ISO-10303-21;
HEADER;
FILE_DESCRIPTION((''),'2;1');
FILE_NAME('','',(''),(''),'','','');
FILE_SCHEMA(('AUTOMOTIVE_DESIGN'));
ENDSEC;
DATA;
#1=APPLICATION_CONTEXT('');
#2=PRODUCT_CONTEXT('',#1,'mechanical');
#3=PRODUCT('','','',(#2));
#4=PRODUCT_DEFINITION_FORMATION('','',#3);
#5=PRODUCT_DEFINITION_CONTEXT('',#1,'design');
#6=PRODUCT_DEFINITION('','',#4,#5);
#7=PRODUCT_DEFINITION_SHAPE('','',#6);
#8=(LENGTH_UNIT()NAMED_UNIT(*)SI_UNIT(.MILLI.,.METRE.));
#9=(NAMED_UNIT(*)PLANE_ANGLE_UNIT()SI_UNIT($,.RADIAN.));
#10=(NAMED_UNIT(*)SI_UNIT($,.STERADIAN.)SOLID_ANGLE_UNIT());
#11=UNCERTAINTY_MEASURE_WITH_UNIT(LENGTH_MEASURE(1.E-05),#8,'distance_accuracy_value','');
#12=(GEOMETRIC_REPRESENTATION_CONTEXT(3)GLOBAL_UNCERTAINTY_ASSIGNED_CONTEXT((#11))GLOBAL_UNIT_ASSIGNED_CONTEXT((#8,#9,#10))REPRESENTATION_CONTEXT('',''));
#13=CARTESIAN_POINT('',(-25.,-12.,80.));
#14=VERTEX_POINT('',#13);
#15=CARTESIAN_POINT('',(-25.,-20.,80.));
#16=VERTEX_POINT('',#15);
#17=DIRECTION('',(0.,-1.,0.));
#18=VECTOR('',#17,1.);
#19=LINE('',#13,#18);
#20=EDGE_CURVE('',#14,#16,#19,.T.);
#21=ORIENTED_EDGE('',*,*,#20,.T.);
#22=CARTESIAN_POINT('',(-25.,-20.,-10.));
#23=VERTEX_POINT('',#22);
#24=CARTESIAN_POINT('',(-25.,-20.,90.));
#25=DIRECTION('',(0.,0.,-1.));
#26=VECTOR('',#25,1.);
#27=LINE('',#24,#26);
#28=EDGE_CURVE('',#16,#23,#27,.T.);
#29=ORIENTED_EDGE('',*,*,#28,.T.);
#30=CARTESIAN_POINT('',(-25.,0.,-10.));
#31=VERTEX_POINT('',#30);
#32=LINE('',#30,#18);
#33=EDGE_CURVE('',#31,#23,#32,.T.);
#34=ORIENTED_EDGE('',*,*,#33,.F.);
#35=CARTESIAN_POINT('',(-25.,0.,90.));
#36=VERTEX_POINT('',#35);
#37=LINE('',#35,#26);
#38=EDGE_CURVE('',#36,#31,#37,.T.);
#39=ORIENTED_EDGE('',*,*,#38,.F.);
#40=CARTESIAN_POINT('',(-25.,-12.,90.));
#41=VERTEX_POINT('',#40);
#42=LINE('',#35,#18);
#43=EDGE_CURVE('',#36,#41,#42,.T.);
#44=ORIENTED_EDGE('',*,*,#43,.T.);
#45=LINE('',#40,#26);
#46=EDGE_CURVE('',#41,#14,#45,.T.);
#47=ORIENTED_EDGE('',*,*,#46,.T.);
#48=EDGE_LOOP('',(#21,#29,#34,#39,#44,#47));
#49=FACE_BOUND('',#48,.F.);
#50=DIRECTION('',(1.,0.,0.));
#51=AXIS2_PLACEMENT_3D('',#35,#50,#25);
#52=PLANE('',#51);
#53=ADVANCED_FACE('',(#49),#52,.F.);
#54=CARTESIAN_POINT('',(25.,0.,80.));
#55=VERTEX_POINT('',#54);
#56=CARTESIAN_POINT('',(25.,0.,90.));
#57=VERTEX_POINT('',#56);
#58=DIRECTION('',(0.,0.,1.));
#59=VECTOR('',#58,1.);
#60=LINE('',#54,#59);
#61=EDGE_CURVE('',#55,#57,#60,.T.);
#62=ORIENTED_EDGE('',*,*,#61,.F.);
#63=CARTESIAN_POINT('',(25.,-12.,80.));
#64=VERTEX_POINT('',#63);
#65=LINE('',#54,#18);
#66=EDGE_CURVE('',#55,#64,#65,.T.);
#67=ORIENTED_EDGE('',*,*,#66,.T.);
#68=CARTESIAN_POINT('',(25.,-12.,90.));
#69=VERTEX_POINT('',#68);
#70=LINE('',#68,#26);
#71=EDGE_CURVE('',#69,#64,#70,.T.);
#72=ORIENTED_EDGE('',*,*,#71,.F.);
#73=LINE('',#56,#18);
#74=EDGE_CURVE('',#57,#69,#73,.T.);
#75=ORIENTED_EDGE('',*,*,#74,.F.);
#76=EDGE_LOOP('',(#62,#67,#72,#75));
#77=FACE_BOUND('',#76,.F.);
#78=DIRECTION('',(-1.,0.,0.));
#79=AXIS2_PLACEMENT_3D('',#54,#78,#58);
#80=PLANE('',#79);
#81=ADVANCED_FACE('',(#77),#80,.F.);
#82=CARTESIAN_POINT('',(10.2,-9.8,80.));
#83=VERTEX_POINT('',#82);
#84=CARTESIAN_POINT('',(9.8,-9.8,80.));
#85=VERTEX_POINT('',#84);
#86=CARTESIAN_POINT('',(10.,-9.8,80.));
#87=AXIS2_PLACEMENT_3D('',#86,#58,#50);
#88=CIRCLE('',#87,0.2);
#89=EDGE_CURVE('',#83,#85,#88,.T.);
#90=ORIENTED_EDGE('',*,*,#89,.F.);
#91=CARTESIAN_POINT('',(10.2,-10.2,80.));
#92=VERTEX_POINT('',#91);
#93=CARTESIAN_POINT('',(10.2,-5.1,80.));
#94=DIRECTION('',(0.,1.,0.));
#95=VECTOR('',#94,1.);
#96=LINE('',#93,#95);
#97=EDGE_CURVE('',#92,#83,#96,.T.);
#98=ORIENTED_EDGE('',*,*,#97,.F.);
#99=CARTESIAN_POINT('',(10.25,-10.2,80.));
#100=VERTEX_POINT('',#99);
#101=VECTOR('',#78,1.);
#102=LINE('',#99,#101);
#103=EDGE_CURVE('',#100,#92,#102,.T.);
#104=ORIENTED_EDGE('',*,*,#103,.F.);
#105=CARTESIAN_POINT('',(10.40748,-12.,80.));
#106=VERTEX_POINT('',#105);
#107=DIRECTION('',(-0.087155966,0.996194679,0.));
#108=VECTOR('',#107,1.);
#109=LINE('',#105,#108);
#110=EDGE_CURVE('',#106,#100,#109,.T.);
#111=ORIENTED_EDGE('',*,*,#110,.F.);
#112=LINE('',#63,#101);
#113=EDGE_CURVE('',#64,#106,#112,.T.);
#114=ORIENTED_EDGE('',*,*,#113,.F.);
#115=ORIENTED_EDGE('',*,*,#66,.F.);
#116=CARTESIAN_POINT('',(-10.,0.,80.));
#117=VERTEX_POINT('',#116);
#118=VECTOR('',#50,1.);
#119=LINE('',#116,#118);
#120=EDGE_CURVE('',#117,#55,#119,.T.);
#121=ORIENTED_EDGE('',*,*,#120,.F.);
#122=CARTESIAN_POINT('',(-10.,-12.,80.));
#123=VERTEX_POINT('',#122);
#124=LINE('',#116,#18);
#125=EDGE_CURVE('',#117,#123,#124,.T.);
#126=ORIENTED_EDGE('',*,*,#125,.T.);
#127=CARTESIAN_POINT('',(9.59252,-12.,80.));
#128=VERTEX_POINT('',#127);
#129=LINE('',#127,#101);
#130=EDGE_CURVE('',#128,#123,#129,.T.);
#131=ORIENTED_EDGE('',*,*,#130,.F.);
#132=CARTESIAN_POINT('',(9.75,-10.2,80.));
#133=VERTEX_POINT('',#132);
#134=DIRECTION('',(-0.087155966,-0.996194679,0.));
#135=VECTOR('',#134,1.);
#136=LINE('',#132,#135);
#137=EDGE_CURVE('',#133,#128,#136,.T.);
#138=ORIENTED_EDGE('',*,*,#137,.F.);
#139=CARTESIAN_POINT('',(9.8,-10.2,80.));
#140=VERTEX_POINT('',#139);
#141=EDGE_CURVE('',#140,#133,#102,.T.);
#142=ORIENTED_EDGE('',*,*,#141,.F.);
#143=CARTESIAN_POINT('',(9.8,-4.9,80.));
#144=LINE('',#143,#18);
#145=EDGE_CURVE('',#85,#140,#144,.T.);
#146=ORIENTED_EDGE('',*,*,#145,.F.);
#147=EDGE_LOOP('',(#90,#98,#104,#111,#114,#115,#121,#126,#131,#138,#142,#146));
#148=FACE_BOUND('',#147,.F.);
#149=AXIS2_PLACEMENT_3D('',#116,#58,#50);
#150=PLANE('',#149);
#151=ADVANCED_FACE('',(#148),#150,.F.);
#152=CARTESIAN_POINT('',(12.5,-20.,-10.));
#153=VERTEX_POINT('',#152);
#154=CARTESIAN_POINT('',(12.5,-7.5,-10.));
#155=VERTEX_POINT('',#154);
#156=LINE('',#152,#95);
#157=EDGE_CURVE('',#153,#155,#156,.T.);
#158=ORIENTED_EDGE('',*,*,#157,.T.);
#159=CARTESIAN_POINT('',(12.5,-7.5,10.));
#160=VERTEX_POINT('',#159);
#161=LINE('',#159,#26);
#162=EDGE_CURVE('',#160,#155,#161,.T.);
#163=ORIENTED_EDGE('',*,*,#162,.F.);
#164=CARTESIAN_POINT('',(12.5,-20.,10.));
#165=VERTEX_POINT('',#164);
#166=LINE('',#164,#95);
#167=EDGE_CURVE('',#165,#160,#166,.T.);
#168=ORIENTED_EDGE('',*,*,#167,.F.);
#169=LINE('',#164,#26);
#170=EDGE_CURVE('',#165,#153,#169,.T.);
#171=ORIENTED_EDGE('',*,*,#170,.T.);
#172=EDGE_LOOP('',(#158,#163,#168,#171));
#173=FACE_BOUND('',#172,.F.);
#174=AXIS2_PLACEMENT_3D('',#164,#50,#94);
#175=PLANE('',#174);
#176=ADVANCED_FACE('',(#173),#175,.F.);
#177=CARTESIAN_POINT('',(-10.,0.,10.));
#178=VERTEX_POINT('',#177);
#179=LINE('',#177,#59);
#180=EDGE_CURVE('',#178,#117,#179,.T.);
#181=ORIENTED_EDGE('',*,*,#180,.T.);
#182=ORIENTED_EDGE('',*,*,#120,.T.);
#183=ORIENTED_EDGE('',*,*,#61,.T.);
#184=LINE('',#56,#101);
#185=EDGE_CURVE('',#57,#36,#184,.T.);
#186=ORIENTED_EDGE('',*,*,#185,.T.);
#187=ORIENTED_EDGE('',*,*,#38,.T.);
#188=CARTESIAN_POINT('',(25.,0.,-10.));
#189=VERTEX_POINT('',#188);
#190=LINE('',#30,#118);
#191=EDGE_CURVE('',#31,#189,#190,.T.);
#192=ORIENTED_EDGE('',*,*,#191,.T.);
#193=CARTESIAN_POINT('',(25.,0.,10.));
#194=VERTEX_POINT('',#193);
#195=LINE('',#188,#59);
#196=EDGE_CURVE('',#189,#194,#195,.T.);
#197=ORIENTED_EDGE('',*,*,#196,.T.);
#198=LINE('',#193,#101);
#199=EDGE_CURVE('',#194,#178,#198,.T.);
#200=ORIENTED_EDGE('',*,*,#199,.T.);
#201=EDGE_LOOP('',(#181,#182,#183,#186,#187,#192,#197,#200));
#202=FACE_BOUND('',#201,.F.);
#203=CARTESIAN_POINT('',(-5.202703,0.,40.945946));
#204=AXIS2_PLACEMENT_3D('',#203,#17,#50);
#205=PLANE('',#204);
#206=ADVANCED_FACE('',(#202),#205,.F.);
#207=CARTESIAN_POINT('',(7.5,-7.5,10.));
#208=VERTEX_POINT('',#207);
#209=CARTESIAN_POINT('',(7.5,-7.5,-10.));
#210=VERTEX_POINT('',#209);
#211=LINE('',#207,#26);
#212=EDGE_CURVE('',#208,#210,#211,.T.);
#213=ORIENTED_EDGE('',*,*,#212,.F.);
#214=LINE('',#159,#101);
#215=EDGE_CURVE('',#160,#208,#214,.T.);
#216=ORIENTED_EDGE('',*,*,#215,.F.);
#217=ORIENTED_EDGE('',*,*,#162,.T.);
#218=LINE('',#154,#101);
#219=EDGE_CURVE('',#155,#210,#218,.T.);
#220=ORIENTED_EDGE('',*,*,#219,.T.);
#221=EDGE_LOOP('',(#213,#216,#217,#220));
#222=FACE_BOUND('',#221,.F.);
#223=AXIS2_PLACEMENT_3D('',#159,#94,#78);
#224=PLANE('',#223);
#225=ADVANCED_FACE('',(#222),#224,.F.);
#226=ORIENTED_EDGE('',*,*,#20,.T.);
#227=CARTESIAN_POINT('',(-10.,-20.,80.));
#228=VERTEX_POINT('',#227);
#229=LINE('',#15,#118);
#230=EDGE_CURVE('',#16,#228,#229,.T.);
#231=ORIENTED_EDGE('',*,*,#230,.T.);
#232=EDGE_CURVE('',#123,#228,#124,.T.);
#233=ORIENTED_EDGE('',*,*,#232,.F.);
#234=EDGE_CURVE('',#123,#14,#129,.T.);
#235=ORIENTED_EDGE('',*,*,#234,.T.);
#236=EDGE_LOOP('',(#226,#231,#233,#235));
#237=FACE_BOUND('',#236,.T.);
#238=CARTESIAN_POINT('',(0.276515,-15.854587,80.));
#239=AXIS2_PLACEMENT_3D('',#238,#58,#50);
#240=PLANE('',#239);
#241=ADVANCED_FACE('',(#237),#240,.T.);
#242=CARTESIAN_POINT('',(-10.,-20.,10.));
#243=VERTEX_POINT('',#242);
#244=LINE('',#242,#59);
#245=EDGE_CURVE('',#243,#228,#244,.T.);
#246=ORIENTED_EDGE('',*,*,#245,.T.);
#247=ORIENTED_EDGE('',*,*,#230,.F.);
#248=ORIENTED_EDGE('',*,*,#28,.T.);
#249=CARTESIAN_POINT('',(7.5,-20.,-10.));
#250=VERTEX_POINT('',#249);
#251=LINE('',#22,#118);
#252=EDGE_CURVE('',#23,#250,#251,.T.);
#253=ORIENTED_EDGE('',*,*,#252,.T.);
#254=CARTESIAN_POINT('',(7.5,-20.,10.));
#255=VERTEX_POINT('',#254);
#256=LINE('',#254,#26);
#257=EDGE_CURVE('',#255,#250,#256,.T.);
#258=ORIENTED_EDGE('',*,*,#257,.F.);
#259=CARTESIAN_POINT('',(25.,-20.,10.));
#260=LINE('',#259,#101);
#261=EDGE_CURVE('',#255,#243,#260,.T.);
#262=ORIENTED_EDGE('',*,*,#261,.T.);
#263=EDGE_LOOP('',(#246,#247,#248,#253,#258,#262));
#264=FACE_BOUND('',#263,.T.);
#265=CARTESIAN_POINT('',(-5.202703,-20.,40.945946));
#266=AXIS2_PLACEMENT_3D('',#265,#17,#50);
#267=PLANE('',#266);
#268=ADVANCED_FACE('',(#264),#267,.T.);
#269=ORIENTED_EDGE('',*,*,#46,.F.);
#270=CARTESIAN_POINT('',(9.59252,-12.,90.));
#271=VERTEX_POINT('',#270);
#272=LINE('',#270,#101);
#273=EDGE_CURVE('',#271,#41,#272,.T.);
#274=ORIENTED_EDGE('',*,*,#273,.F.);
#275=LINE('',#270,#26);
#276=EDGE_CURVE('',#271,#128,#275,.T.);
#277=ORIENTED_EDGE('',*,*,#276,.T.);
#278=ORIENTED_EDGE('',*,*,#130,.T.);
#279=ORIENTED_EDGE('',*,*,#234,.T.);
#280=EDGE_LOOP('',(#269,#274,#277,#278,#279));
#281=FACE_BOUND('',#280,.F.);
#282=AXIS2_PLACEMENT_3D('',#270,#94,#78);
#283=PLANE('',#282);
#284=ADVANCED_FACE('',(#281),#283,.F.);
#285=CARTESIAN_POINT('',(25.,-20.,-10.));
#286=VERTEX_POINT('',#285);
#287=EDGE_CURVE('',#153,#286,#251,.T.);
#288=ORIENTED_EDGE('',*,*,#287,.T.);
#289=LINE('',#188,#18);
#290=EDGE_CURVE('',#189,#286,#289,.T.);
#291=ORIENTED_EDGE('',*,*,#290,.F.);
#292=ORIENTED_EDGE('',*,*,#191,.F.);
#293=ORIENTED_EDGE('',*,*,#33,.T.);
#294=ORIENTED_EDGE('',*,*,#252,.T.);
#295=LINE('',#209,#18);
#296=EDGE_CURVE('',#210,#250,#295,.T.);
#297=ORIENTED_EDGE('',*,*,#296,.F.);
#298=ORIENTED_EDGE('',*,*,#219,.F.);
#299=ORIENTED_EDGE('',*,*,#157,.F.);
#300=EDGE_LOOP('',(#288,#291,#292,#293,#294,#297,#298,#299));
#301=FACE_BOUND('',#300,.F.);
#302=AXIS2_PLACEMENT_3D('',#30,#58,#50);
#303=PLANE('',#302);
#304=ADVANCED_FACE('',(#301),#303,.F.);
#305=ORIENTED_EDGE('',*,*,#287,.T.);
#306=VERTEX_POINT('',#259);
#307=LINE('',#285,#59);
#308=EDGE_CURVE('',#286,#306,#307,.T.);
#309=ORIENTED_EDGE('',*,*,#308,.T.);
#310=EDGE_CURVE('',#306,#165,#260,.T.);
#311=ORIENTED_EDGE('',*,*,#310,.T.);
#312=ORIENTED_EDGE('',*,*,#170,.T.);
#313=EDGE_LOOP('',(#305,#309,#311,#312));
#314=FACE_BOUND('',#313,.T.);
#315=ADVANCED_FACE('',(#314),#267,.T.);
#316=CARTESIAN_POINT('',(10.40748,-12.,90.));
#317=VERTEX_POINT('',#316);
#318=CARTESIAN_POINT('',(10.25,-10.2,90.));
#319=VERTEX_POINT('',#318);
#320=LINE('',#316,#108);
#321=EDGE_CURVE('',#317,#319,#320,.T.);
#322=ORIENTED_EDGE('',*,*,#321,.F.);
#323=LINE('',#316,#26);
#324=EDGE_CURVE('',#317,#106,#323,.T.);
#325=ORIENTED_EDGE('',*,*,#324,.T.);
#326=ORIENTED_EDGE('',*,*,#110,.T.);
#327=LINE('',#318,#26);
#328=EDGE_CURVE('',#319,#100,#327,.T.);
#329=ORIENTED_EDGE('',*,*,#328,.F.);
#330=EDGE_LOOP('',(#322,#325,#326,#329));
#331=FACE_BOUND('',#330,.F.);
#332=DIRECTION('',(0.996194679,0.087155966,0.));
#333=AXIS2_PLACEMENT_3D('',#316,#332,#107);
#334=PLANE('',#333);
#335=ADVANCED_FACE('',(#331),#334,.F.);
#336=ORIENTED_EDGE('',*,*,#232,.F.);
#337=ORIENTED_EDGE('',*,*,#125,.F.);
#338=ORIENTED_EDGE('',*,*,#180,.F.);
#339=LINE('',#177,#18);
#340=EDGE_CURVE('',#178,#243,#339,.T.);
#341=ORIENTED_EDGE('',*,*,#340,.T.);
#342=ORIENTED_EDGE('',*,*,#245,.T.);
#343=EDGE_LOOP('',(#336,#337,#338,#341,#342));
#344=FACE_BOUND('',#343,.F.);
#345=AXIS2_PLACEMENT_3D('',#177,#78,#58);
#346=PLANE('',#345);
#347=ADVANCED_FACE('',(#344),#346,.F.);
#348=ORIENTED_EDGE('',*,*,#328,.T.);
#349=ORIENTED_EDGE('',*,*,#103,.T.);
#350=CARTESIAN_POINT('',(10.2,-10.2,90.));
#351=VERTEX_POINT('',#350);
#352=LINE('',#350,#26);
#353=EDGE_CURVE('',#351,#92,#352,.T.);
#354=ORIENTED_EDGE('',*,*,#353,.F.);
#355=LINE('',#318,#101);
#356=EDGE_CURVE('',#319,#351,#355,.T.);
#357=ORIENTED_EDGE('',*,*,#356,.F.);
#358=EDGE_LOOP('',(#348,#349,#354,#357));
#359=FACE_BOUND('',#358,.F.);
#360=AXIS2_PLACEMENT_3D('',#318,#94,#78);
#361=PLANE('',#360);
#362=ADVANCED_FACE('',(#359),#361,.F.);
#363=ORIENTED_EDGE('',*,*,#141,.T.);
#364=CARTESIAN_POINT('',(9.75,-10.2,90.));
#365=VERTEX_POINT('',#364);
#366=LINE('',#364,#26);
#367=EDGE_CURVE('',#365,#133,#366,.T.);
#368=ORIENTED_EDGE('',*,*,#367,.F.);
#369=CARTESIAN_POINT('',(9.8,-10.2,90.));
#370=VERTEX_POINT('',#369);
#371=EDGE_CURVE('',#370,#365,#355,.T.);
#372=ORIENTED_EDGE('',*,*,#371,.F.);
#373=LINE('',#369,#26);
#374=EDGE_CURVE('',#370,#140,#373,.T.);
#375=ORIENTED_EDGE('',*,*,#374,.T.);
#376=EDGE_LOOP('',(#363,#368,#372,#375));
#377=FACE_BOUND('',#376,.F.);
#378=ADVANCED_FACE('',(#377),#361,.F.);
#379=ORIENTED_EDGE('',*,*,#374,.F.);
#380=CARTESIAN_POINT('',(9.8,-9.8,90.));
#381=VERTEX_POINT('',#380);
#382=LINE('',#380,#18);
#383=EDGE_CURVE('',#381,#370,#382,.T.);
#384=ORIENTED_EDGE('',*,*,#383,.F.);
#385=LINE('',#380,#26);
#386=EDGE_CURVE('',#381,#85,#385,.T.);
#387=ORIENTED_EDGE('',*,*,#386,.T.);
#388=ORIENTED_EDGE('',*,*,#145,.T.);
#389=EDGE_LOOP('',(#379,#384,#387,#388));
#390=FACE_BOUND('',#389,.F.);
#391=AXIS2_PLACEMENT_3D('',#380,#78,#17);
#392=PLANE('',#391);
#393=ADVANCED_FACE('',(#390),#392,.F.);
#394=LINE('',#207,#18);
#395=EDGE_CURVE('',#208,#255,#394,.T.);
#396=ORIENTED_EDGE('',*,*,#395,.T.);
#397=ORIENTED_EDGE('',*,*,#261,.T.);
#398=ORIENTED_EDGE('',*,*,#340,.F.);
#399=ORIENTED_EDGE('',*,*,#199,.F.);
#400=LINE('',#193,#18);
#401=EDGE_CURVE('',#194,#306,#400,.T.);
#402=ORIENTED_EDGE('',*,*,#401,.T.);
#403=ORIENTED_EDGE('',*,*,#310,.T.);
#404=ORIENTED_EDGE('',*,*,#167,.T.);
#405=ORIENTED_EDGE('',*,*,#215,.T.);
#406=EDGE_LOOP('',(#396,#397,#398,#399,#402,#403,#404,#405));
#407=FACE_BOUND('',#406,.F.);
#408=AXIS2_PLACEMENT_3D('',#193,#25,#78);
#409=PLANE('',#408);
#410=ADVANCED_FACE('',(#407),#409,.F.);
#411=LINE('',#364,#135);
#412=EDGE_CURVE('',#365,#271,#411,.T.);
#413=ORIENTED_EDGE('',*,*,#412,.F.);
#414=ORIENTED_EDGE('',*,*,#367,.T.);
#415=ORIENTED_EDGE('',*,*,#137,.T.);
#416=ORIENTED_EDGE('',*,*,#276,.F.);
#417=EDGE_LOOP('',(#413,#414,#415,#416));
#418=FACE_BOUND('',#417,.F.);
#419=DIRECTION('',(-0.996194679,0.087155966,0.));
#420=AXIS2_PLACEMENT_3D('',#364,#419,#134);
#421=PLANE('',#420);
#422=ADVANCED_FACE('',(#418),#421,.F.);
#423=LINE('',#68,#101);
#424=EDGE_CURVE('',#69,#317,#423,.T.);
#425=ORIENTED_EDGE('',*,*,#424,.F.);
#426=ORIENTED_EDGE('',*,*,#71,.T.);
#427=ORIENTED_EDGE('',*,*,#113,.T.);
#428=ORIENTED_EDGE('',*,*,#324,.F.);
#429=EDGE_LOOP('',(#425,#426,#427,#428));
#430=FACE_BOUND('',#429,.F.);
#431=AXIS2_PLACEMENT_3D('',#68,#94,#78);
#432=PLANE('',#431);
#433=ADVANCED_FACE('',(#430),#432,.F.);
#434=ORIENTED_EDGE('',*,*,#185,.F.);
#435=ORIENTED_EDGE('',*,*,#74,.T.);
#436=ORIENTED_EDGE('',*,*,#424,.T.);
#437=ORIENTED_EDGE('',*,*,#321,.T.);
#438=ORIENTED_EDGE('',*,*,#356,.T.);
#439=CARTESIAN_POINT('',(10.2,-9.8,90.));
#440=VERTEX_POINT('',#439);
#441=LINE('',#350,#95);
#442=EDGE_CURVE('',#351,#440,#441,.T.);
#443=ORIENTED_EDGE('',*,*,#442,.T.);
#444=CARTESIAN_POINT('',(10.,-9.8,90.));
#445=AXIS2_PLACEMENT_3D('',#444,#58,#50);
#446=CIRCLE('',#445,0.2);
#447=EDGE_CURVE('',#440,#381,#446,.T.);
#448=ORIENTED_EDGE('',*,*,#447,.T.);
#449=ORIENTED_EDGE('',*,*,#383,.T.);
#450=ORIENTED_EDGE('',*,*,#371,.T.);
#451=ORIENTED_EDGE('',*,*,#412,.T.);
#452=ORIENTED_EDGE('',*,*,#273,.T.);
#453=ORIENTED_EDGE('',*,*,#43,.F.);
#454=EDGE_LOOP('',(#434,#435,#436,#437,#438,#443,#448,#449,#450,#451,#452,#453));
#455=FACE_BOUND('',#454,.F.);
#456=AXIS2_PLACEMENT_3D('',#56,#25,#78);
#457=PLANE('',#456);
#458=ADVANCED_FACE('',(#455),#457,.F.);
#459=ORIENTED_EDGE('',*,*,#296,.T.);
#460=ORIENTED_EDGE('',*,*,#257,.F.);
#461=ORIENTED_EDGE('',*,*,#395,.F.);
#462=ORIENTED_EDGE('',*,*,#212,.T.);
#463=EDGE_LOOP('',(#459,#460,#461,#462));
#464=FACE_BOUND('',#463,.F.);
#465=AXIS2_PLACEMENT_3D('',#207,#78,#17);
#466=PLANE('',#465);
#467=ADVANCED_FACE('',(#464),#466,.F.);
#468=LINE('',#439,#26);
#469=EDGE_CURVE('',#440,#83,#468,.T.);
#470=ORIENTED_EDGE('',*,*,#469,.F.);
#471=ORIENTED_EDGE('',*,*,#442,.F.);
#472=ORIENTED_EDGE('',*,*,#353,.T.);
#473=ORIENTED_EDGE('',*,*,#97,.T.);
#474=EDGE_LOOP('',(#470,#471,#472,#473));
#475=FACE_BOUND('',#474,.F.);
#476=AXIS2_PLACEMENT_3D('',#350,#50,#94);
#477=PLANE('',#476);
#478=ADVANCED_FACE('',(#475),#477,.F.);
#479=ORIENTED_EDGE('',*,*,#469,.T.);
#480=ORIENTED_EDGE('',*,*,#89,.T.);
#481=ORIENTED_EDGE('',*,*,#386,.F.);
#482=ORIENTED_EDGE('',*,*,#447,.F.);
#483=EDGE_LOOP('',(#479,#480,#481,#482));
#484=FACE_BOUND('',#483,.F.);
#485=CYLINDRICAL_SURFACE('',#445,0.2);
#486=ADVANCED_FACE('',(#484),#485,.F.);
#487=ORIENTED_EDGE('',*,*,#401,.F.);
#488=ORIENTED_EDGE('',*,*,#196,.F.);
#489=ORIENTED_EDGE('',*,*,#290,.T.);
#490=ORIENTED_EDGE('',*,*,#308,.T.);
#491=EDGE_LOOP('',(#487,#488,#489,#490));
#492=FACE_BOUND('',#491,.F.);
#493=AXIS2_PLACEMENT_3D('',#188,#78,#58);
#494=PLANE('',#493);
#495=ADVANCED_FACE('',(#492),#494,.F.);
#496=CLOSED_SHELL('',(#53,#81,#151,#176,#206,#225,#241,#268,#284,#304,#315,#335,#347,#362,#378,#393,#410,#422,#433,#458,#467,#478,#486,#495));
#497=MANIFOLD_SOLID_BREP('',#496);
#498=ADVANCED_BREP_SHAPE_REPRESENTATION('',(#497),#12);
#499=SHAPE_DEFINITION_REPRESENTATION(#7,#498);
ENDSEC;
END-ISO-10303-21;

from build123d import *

# Parameters (mm, degrees)
F1_DEPTH = 20
F3_DEPTH = 20
F5_DEPTH = 25
F7_DEPTH = 10


with BuildPart() as f1:
    # F0 (on Front) → F1 (new body)
    with BuildSketch(Plane.XZ):
        Polygon((-25, -10), (25, -10), (25, 10), (-10, 10), (-10, 80), (25, 80), (25, 90), (-10, 90), (-25, 90), (-25, 10), align=None)
    extrude(amount=F1_DEPTH)

    # F2 (on face) → F3 (cut)
    with BuildSketch(Plane.XY.offset(10)):
        Polygon((12.5, -12.5), (12.5, -7.5), (7.5, -7.5), (7.5, -12.5), (7.5, -20), (12.5, -20), align=None)
    extrude(amount=-F3_DEPTH, mode=Mode.SUBTRACT)

    # F4 (on face) → F5 (cut)
    with BuildSketch(Plane.XY.offset(90)):
        with BuildLine():
            ThreePointArc((9.8, -10.2), (10, -10.4), (10.2, -10.2))
            Line((10.2, -10.2), (10.2, -9.8))
            ThreePointArc((10.2, -9.8), (10, -9.6), (9.8, -9.8))
            Line((9.8, -9.8), (9.8, -10.2))
        make_face()
    extrude(amount=-F5_DEPTH, mode=Mode.SUBTRACT)

    # F6 (on face) → F7 (cut)
    with BuildSketch(Plane.XY.offset(90)):
        Polygon((25, -20), (25, -12), (10.40748, -12), (10.25, -10.2), (10.2, -10.2), (9.8, -10.2), (9.75, -10.2), (9.59252, -12), (-25, -12), (-25, -20), align=None)
    extrude(amount=-F7_DEPTH, mode=Mode.SUBTRACT)


solid = f1.part
